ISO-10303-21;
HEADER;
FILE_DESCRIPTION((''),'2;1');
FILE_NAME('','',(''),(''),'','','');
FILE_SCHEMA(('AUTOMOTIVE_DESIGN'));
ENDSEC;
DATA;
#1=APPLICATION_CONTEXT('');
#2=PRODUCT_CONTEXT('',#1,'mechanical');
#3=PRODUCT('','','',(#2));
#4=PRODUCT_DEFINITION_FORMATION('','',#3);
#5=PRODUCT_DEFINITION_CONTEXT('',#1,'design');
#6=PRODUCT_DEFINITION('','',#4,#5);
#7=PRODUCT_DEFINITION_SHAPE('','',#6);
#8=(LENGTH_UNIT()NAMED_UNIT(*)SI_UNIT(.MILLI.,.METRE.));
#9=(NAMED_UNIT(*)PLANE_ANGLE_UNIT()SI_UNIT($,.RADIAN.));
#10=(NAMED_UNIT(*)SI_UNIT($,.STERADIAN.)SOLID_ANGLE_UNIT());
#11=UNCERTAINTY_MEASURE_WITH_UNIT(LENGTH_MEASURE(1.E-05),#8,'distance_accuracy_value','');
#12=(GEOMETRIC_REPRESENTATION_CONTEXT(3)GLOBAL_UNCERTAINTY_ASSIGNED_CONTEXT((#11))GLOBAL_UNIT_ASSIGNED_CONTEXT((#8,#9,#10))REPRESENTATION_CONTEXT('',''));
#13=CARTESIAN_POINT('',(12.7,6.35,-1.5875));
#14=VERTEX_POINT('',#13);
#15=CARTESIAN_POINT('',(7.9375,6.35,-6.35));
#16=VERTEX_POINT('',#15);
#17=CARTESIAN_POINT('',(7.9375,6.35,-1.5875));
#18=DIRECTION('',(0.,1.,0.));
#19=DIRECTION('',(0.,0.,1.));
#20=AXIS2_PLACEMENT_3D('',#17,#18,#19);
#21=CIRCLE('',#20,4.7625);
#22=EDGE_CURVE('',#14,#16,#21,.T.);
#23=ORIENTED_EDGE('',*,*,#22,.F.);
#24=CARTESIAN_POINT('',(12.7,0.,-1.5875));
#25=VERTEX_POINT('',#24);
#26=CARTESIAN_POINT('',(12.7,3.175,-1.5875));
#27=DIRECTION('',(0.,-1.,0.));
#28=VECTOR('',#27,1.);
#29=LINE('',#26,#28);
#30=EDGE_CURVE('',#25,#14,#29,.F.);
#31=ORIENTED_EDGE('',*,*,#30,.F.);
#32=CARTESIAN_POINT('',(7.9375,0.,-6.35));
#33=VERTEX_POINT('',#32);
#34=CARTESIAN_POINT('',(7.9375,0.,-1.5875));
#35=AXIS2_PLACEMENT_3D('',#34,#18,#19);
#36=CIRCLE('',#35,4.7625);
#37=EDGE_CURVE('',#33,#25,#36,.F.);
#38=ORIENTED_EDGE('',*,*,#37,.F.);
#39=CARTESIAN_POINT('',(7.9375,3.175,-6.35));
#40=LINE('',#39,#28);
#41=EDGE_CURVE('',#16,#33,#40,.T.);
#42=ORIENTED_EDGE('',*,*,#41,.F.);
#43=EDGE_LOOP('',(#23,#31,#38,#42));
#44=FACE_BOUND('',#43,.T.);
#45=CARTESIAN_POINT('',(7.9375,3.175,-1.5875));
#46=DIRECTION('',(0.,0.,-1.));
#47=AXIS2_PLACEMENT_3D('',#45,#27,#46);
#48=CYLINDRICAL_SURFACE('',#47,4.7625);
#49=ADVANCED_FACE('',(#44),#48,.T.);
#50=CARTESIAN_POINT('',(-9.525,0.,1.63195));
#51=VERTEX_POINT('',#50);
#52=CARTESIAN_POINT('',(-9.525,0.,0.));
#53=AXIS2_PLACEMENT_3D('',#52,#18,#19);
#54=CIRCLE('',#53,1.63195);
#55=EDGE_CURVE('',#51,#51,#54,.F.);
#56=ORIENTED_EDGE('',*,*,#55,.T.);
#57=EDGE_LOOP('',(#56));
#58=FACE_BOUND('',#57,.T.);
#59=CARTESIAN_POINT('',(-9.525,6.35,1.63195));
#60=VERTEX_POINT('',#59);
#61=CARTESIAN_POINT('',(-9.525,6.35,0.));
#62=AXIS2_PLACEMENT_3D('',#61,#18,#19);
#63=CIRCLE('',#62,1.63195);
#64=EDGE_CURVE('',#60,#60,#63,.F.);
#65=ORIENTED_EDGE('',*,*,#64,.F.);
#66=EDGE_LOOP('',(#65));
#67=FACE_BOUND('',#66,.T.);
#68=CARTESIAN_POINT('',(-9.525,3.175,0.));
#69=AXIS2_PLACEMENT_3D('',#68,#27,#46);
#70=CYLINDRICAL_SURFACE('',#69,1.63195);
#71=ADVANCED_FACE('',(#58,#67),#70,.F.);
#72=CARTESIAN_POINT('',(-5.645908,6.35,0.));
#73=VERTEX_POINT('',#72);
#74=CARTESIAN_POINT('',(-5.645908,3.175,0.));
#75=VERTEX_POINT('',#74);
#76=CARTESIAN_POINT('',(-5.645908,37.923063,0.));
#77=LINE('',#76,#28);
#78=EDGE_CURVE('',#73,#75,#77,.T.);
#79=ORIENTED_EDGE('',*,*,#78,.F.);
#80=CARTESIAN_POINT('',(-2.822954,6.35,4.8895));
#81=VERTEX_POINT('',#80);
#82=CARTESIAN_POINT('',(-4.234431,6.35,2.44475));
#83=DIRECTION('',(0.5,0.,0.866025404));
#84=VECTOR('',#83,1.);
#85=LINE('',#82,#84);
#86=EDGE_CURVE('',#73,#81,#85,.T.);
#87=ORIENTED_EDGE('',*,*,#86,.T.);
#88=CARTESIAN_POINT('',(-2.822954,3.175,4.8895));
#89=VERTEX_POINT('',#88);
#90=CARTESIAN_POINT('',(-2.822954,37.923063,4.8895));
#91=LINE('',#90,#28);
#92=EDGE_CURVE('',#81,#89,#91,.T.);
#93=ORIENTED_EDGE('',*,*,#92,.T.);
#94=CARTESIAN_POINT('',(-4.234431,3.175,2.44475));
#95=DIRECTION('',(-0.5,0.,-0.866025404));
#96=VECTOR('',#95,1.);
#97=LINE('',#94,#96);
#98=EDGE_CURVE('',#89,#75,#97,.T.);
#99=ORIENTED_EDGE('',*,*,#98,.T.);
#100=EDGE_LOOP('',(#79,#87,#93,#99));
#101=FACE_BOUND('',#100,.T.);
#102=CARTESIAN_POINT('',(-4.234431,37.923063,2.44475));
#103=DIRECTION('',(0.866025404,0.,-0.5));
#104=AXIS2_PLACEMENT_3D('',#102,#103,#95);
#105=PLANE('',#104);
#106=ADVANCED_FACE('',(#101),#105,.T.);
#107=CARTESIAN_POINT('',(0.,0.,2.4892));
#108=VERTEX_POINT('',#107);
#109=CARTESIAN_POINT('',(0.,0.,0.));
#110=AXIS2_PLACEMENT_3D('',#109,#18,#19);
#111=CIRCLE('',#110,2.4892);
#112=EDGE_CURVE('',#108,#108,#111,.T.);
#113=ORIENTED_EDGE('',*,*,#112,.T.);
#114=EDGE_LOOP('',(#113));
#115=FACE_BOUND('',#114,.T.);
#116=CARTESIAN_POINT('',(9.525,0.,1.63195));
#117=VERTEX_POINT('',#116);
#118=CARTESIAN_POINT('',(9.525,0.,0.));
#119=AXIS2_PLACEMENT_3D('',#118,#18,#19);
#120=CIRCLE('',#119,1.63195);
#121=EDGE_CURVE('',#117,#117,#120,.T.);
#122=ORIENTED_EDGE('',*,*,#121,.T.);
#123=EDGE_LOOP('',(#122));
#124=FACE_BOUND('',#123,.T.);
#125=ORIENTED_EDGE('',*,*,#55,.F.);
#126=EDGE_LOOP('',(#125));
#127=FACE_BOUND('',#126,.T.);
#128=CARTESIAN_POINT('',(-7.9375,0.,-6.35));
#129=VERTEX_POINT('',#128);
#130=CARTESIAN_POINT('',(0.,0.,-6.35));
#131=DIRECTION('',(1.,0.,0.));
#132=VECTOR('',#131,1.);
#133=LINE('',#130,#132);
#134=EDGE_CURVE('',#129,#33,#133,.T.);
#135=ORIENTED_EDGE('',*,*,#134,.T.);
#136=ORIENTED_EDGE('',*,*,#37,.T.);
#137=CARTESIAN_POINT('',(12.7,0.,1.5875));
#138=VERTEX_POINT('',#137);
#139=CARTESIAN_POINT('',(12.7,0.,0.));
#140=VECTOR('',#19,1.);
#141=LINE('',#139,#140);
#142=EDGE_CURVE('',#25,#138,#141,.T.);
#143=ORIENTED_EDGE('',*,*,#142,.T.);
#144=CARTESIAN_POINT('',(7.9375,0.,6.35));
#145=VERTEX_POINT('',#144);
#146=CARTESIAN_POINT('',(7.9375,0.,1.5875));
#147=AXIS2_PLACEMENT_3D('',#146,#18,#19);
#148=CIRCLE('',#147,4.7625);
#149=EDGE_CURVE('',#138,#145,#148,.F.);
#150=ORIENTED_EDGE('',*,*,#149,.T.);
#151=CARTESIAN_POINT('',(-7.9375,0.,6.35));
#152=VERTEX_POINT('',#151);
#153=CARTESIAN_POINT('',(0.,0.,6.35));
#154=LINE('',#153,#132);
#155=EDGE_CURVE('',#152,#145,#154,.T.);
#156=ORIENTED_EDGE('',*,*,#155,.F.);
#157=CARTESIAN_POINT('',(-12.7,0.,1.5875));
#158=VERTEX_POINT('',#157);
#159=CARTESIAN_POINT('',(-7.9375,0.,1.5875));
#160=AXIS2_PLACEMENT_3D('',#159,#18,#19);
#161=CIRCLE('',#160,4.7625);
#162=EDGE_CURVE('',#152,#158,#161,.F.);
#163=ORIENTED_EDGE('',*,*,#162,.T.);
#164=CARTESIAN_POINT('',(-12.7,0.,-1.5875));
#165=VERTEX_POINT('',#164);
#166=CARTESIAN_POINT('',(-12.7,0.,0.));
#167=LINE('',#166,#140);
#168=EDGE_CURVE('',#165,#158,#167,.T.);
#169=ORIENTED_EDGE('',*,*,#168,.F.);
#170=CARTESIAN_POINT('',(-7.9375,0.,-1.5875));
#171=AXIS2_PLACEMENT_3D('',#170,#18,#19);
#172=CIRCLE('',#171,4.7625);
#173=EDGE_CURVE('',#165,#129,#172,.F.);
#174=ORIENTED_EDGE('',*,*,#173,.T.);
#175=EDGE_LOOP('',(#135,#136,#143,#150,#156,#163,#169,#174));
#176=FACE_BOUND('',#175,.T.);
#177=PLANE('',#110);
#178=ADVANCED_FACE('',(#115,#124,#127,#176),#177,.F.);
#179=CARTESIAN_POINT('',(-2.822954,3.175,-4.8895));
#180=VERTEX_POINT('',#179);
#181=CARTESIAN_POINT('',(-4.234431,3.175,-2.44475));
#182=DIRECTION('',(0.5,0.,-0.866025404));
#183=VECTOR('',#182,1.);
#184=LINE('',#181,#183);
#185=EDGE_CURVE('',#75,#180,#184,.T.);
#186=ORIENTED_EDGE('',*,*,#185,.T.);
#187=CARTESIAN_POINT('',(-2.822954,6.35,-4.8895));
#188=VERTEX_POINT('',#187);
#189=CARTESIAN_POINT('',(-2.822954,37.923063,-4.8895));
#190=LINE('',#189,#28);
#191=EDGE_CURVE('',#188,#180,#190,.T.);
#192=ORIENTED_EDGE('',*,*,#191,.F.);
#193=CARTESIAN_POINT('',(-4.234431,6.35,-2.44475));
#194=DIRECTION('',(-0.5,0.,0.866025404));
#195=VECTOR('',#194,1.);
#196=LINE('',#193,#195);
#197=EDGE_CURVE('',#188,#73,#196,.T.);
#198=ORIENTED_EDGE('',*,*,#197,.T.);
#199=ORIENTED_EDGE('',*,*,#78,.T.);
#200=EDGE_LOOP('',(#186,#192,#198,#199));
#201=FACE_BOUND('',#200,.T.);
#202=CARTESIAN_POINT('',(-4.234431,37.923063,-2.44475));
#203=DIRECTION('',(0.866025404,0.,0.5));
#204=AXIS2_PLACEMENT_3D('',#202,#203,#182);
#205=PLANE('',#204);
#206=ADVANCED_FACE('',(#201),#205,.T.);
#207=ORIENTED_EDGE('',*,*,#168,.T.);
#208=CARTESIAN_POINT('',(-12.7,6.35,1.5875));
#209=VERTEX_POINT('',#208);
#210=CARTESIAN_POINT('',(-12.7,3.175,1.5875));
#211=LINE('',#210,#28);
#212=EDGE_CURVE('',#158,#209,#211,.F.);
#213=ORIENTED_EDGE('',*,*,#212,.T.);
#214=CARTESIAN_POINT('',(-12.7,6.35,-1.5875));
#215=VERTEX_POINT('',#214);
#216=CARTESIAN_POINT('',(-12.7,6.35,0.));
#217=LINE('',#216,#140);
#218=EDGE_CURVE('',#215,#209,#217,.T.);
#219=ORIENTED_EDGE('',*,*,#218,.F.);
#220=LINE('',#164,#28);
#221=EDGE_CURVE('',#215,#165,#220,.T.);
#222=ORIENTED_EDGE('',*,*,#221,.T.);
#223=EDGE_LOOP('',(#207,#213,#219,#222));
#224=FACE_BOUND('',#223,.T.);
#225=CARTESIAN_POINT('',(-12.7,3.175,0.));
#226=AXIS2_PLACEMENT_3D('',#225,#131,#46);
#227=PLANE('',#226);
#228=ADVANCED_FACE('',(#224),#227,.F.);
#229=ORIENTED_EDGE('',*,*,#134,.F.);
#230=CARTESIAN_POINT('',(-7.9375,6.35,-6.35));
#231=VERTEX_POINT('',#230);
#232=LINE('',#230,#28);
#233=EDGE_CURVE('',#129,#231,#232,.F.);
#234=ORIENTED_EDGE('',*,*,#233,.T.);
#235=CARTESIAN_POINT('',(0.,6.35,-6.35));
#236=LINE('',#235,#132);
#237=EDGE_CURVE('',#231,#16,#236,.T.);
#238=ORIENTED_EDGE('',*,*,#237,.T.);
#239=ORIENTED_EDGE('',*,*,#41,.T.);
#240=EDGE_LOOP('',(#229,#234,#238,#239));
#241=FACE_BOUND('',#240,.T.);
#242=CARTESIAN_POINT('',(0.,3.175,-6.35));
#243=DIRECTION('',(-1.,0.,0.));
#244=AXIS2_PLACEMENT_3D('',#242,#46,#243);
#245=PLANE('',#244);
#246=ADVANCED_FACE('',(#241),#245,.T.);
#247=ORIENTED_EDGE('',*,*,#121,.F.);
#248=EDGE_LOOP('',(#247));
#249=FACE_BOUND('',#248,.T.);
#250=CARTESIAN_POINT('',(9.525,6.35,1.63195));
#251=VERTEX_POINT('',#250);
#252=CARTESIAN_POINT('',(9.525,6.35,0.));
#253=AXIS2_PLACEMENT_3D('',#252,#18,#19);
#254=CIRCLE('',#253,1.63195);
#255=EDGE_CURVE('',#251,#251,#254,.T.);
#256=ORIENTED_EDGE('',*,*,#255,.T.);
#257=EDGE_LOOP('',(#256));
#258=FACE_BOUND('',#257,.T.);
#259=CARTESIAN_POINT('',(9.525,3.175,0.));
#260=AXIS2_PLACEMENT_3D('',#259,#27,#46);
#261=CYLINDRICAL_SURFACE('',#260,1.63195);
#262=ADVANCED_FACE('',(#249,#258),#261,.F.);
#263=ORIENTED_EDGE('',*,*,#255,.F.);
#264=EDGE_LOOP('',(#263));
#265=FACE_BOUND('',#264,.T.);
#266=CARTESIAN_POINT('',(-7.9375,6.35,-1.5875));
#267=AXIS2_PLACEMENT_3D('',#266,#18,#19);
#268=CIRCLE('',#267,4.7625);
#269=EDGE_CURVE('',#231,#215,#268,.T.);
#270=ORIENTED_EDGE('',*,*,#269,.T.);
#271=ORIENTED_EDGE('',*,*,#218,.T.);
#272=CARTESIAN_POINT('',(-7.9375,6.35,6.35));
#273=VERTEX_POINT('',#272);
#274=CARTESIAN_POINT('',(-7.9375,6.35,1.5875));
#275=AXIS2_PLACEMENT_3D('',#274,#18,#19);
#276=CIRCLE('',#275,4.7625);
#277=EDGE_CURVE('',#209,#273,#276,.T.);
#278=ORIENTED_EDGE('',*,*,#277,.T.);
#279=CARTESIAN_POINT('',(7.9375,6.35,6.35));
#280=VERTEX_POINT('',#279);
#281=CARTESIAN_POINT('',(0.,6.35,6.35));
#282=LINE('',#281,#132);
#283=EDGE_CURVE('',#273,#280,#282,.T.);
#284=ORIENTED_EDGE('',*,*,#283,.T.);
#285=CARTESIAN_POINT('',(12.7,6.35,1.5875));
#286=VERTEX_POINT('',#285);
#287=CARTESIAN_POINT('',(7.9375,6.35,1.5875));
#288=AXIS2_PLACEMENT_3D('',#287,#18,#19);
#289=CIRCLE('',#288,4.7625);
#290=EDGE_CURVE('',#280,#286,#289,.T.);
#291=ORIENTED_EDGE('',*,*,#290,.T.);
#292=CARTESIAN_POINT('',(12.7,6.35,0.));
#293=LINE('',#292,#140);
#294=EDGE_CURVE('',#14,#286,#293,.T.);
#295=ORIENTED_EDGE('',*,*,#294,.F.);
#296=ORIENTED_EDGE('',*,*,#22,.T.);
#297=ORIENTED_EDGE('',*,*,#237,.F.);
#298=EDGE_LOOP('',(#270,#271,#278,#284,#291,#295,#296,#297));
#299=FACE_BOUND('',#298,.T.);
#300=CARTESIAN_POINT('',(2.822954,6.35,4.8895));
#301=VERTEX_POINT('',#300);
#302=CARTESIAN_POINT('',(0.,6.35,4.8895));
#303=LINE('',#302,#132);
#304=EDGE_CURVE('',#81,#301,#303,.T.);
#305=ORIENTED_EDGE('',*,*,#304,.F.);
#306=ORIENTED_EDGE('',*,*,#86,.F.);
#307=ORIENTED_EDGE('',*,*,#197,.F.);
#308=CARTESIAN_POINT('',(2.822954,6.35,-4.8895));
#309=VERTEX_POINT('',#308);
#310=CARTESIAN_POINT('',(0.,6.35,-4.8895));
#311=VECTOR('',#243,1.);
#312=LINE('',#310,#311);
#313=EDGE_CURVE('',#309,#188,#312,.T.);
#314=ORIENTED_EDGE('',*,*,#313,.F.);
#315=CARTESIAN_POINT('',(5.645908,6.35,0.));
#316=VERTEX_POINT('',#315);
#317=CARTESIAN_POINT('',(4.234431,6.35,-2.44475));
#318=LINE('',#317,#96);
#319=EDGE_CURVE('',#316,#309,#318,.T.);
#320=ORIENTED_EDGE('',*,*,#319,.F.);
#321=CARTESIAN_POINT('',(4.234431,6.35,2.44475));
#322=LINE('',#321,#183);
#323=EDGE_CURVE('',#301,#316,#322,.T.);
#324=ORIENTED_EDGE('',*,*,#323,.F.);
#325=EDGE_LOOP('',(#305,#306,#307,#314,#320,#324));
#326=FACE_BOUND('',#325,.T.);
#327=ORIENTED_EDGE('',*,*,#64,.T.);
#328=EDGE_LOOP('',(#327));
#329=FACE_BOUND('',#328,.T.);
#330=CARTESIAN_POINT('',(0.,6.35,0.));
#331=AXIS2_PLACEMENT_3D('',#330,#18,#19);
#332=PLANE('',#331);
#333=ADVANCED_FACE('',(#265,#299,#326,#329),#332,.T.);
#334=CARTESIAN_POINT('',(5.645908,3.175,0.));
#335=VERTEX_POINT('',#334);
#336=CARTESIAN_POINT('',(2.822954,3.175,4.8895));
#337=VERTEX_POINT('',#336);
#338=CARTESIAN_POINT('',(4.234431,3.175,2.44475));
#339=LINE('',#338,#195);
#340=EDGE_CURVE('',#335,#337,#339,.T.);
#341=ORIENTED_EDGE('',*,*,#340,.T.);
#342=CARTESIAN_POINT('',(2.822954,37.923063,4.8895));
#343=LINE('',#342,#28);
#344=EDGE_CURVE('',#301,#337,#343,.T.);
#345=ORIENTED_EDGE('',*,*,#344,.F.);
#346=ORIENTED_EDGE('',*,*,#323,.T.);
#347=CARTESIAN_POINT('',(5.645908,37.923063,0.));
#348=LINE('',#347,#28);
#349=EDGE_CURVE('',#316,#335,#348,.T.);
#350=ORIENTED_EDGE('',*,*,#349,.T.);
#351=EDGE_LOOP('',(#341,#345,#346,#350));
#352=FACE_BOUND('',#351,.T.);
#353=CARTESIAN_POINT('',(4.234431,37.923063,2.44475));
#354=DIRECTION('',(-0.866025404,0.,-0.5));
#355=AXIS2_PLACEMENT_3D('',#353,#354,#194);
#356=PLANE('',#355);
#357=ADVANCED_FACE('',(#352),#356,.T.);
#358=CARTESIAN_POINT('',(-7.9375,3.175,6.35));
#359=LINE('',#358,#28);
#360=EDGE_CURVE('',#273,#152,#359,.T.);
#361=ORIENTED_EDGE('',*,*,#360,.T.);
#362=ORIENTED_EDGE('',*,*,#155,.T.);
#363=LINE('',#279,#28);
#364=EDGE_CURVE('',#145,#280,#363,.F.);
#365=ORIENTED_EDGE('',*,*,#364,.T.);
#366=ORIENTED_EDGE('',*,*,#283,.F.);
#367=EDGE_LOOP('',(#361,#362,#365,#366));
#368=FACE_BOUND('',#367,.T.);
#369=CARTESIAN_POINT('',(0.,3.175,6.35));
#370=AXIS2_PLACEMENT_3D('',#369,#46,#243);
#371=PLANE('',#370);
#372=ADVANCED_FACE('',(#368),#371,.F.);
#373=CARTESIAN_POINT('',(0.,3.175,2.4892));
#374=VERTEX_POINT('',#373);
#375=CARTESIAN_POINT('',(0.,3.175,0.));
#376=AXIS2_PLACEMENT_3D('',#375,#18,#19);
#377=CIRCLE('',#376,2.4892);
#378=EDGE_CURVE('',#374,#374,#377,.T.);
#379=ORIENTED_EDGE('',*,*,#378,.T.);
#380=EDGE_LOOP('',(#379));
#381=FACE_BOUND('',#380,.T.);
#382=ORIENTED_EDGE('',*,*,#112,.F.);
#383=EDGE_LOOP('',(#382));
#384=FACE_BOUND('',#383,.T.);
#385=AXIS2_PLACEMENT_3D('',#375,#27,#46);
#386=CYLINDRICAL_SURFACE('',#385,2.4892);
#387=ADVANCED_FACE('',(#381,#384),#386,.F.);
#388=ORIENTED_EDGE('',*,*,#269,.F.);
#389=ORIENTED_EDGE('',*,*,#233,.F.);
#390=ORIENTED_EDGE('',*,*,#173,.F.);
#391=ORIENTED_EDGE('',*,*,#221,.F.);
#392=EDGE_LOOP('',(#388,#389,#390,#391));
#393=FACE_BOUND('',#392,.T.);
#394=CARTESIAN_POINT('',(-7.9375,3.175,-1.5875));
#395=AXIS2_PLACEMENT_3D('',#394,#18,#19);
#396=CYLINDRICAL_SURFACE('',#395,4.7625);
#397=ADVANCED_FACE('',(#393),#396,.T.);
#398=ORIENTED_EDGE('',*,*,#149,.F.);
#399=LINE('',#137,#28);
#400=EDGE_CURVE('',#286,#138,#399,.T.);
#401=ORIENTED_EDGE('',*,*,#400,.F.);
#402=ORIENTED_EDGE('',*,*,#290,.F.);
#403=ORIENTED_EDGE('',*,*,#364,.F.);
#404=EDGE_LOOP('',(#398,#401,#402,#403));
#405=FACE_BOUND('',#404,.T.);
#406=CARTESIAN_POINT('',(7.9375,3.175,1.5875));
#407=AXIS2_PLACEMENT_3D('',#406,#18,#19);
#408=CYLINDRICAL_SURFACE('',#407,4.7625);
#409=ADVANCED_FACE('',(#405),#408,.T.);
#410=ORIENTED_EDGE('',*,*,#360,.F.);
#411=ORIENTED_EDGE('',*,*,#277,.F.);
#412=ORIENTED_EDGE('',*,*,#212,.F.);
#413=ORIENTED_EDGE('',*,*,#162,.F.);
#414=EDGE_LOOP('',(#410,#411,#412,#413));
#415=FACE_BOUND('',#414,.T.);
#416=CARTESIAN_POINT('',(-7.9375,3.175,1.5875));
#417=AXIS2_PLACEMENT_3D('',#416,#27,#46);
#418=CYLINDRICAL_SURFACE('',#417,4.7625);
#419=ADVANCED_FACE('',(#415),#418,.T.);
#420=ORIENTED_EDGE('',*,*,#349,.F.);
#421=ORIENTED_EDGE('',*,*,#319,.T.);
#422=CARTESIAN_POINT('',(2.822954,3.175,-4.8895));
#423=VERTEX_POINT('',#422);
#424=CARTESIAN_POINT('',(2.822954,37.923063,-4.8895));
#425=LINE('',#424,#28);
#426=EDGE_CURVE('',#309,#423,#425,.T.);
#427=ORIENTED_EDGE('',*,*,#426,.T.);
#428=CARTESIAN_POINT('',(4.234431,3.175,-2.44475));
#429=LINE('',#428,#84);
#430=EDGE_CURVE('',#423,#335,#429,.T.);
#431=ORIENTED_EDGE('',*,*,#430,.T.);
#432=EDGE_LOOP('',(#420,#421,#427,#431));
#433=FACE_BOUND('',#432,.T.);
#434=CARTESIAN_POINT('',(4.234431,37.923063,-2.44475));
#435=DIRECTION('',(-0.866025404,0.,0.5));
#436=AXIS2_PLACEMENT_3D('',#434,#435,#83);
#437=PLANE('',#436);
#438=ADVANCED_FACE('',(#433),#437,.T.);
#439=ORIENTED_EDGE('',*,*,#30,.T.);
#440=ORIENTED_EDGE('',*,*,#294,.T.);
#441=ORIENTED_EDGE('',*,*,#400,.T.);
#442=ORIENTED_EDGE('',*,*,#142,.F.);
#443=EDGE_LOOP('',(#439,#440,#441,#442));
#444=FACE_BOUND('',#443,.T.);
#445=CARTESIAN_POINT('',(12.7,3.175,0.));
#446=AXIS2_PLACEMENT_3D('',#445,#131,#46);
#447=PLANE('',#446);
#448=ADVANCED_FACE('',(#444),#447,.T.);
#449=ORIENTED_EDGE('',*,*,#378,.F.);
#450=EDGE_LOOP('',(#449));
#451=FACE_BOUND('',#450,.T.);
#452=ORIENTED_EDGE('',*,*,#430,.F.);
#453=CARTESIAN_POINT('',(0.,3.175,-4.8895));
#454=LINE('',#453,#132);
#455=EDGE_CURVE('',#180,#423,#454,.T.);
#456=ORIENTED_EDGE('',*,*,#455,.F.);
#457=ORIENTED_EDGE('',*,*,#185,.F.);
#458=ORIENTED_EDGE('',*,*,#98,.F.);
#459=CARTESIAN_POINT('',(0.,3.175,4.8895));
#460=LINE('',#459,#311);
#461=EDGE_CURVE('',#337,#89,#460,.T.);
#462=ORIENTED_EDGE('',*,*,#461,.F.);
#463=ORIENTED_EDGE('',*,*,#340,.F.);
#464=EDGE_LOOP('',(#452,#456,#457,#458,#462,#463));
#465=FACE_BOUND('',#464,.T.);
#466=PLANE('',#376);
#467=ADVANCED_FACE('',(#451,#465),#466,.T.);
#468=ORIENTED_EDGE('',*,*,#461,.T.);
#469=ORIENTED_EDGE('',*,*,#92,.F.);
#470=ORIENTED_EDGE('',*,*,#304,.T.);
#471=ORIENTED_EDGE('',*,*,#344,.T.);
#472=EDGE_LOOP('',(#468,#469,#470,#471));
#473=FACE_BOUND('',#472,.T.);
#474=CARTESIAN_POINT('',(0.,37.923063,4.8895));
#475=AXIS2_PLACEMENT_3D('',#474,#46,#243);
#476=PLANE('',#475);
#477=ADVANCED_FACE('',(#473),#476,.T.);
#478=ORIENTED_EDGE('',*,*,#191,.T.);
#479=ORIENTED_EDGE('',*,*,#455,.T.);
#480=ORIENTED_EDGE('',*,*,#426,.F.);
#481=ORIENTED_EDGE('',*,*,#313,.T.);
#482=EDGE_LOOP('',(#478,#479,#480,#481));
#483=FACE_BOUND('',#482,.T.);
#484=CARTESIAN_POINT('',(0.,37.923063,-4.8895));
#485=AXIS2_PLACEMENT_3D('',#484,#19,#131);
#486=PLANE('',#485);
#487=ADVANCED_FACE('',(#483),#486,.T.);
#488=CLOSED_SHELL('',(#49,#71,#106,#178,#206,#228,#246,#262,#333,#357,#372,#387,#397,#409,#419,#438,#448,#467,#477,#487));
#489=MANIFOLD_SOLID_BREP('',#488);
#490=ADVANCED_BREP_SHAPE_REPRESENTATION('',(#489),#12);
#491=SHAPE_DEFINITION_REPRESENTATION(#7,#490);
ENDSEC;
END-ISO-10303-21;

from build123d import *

# Parameters (mm, degrees)
SKETCH1_W           = 25.4
SKETCH1_H           = 12.7
SKETCH1_R           = 1.63195
SKETCH1_R_2         = 2.4892
BOSS_EXTRUDE1_DEPTH = 3.175
SKETCH1_3_W         = 25.4
SKETCH1_3_H         = 12.7
SKETCH1_3_R         = 1.63195
BOSS_EXTRUDE2_DEPTH = 6.35
FILLET1_R           = 4.7625


with BuildPart() as part:
    # Sketch1 → Boss-Extrude1 (new body)
    # profile 1 of 2: a face of its own
    with BuildSketch(Plane(origin=(0, 0, 0), x_dir=(1, 0, 0), z_dir=(0, 1, 0))):
        Rectangle(SKETCH1_W, SKETCH1_H)
        with Locations(Location((9.525, 0, 0), (0, 0, 270))):
            Circle(SKETCH1_R, mode=Mode.SUBTRACT)
        with Locations(Location((-9.525, 0, 0), (0, 0, 270))):
            Circle(SKETCH1_R, mode=Mode.SUBTRACT)
        Polygon((2.822954141, -4.8895), (5.645908282, 0), (2.822954141, 4.8895), (-2.822954141, 4.8895), (-5.645908282, 0), (-2.822954141, -4.8895), align=None, mode=Mode.SUBTRACT)
    # profile 2 of 2: a face of its own
    with BuildSketch(Plane(origin=(0, 0, 0), x_dir=(1, 0, 0), z_dir=(0, 1, 0))):
        Polygon((-2.822954141, -4.8895), (2.822954141, -4.8895), (5.645908282, 0), (2.822954141, 4.8895), (-2.822954141, 4.8895), (-5.645908282, 0), align=None)
        with Locations(Location((0, 0, 0), (0, 0, 270))):
            Circle(SKETCH1_R_2, mode=Mode.SUBTRACT)
    extrude(amount=BOSS_EXTRUDE1_DEPTH)

    # Sketch1<3> → Boss-Extrude2 (add)
    with BuildSketch(Plane(origin=(0, 0, 0), x_dir=(1, 0, 0), z_dir=(0, 1, 0))):
        Rectangle(SKETCH1_3_W, SKETCH1_3_H)
        with Locations(Location((9.525, 0, 0), (0, 0, 270))):
            Circle(SKETCH1_3_R, mode=Mode.SUBTRACT)
        with Locations(Location((-9.525, 0, 0), (0, 0, 270))):
            Circle(SKETCH1_3_R, mode=Mode.SUBTRACT)
        Polygon((2.822954141, -4.8895), (5.645908282, 0), (2.822954141, 4.8895), (-2.822954141, 4.8895), (-5.645908282, 0), (-2.822954141, -4.8895), align=None, mode=Mode.SUBTRACT)
    extrude(amount=BOSS_EXTRUDE2_DEPTH)

    # Fillet1
    fillet1_edges = [part.edges().sort_by_distance(p)[0] for p in [
        (12.7, 3.175, 6.35),
        (-12.7, 3.175, 6.35),
        (-12.7, 3.175, -6.35),
        (12.7, 3.175, -6.35),
    ]]
    fillet(fillet1_edges, radius=FILLET1_R)


solid = part.part
